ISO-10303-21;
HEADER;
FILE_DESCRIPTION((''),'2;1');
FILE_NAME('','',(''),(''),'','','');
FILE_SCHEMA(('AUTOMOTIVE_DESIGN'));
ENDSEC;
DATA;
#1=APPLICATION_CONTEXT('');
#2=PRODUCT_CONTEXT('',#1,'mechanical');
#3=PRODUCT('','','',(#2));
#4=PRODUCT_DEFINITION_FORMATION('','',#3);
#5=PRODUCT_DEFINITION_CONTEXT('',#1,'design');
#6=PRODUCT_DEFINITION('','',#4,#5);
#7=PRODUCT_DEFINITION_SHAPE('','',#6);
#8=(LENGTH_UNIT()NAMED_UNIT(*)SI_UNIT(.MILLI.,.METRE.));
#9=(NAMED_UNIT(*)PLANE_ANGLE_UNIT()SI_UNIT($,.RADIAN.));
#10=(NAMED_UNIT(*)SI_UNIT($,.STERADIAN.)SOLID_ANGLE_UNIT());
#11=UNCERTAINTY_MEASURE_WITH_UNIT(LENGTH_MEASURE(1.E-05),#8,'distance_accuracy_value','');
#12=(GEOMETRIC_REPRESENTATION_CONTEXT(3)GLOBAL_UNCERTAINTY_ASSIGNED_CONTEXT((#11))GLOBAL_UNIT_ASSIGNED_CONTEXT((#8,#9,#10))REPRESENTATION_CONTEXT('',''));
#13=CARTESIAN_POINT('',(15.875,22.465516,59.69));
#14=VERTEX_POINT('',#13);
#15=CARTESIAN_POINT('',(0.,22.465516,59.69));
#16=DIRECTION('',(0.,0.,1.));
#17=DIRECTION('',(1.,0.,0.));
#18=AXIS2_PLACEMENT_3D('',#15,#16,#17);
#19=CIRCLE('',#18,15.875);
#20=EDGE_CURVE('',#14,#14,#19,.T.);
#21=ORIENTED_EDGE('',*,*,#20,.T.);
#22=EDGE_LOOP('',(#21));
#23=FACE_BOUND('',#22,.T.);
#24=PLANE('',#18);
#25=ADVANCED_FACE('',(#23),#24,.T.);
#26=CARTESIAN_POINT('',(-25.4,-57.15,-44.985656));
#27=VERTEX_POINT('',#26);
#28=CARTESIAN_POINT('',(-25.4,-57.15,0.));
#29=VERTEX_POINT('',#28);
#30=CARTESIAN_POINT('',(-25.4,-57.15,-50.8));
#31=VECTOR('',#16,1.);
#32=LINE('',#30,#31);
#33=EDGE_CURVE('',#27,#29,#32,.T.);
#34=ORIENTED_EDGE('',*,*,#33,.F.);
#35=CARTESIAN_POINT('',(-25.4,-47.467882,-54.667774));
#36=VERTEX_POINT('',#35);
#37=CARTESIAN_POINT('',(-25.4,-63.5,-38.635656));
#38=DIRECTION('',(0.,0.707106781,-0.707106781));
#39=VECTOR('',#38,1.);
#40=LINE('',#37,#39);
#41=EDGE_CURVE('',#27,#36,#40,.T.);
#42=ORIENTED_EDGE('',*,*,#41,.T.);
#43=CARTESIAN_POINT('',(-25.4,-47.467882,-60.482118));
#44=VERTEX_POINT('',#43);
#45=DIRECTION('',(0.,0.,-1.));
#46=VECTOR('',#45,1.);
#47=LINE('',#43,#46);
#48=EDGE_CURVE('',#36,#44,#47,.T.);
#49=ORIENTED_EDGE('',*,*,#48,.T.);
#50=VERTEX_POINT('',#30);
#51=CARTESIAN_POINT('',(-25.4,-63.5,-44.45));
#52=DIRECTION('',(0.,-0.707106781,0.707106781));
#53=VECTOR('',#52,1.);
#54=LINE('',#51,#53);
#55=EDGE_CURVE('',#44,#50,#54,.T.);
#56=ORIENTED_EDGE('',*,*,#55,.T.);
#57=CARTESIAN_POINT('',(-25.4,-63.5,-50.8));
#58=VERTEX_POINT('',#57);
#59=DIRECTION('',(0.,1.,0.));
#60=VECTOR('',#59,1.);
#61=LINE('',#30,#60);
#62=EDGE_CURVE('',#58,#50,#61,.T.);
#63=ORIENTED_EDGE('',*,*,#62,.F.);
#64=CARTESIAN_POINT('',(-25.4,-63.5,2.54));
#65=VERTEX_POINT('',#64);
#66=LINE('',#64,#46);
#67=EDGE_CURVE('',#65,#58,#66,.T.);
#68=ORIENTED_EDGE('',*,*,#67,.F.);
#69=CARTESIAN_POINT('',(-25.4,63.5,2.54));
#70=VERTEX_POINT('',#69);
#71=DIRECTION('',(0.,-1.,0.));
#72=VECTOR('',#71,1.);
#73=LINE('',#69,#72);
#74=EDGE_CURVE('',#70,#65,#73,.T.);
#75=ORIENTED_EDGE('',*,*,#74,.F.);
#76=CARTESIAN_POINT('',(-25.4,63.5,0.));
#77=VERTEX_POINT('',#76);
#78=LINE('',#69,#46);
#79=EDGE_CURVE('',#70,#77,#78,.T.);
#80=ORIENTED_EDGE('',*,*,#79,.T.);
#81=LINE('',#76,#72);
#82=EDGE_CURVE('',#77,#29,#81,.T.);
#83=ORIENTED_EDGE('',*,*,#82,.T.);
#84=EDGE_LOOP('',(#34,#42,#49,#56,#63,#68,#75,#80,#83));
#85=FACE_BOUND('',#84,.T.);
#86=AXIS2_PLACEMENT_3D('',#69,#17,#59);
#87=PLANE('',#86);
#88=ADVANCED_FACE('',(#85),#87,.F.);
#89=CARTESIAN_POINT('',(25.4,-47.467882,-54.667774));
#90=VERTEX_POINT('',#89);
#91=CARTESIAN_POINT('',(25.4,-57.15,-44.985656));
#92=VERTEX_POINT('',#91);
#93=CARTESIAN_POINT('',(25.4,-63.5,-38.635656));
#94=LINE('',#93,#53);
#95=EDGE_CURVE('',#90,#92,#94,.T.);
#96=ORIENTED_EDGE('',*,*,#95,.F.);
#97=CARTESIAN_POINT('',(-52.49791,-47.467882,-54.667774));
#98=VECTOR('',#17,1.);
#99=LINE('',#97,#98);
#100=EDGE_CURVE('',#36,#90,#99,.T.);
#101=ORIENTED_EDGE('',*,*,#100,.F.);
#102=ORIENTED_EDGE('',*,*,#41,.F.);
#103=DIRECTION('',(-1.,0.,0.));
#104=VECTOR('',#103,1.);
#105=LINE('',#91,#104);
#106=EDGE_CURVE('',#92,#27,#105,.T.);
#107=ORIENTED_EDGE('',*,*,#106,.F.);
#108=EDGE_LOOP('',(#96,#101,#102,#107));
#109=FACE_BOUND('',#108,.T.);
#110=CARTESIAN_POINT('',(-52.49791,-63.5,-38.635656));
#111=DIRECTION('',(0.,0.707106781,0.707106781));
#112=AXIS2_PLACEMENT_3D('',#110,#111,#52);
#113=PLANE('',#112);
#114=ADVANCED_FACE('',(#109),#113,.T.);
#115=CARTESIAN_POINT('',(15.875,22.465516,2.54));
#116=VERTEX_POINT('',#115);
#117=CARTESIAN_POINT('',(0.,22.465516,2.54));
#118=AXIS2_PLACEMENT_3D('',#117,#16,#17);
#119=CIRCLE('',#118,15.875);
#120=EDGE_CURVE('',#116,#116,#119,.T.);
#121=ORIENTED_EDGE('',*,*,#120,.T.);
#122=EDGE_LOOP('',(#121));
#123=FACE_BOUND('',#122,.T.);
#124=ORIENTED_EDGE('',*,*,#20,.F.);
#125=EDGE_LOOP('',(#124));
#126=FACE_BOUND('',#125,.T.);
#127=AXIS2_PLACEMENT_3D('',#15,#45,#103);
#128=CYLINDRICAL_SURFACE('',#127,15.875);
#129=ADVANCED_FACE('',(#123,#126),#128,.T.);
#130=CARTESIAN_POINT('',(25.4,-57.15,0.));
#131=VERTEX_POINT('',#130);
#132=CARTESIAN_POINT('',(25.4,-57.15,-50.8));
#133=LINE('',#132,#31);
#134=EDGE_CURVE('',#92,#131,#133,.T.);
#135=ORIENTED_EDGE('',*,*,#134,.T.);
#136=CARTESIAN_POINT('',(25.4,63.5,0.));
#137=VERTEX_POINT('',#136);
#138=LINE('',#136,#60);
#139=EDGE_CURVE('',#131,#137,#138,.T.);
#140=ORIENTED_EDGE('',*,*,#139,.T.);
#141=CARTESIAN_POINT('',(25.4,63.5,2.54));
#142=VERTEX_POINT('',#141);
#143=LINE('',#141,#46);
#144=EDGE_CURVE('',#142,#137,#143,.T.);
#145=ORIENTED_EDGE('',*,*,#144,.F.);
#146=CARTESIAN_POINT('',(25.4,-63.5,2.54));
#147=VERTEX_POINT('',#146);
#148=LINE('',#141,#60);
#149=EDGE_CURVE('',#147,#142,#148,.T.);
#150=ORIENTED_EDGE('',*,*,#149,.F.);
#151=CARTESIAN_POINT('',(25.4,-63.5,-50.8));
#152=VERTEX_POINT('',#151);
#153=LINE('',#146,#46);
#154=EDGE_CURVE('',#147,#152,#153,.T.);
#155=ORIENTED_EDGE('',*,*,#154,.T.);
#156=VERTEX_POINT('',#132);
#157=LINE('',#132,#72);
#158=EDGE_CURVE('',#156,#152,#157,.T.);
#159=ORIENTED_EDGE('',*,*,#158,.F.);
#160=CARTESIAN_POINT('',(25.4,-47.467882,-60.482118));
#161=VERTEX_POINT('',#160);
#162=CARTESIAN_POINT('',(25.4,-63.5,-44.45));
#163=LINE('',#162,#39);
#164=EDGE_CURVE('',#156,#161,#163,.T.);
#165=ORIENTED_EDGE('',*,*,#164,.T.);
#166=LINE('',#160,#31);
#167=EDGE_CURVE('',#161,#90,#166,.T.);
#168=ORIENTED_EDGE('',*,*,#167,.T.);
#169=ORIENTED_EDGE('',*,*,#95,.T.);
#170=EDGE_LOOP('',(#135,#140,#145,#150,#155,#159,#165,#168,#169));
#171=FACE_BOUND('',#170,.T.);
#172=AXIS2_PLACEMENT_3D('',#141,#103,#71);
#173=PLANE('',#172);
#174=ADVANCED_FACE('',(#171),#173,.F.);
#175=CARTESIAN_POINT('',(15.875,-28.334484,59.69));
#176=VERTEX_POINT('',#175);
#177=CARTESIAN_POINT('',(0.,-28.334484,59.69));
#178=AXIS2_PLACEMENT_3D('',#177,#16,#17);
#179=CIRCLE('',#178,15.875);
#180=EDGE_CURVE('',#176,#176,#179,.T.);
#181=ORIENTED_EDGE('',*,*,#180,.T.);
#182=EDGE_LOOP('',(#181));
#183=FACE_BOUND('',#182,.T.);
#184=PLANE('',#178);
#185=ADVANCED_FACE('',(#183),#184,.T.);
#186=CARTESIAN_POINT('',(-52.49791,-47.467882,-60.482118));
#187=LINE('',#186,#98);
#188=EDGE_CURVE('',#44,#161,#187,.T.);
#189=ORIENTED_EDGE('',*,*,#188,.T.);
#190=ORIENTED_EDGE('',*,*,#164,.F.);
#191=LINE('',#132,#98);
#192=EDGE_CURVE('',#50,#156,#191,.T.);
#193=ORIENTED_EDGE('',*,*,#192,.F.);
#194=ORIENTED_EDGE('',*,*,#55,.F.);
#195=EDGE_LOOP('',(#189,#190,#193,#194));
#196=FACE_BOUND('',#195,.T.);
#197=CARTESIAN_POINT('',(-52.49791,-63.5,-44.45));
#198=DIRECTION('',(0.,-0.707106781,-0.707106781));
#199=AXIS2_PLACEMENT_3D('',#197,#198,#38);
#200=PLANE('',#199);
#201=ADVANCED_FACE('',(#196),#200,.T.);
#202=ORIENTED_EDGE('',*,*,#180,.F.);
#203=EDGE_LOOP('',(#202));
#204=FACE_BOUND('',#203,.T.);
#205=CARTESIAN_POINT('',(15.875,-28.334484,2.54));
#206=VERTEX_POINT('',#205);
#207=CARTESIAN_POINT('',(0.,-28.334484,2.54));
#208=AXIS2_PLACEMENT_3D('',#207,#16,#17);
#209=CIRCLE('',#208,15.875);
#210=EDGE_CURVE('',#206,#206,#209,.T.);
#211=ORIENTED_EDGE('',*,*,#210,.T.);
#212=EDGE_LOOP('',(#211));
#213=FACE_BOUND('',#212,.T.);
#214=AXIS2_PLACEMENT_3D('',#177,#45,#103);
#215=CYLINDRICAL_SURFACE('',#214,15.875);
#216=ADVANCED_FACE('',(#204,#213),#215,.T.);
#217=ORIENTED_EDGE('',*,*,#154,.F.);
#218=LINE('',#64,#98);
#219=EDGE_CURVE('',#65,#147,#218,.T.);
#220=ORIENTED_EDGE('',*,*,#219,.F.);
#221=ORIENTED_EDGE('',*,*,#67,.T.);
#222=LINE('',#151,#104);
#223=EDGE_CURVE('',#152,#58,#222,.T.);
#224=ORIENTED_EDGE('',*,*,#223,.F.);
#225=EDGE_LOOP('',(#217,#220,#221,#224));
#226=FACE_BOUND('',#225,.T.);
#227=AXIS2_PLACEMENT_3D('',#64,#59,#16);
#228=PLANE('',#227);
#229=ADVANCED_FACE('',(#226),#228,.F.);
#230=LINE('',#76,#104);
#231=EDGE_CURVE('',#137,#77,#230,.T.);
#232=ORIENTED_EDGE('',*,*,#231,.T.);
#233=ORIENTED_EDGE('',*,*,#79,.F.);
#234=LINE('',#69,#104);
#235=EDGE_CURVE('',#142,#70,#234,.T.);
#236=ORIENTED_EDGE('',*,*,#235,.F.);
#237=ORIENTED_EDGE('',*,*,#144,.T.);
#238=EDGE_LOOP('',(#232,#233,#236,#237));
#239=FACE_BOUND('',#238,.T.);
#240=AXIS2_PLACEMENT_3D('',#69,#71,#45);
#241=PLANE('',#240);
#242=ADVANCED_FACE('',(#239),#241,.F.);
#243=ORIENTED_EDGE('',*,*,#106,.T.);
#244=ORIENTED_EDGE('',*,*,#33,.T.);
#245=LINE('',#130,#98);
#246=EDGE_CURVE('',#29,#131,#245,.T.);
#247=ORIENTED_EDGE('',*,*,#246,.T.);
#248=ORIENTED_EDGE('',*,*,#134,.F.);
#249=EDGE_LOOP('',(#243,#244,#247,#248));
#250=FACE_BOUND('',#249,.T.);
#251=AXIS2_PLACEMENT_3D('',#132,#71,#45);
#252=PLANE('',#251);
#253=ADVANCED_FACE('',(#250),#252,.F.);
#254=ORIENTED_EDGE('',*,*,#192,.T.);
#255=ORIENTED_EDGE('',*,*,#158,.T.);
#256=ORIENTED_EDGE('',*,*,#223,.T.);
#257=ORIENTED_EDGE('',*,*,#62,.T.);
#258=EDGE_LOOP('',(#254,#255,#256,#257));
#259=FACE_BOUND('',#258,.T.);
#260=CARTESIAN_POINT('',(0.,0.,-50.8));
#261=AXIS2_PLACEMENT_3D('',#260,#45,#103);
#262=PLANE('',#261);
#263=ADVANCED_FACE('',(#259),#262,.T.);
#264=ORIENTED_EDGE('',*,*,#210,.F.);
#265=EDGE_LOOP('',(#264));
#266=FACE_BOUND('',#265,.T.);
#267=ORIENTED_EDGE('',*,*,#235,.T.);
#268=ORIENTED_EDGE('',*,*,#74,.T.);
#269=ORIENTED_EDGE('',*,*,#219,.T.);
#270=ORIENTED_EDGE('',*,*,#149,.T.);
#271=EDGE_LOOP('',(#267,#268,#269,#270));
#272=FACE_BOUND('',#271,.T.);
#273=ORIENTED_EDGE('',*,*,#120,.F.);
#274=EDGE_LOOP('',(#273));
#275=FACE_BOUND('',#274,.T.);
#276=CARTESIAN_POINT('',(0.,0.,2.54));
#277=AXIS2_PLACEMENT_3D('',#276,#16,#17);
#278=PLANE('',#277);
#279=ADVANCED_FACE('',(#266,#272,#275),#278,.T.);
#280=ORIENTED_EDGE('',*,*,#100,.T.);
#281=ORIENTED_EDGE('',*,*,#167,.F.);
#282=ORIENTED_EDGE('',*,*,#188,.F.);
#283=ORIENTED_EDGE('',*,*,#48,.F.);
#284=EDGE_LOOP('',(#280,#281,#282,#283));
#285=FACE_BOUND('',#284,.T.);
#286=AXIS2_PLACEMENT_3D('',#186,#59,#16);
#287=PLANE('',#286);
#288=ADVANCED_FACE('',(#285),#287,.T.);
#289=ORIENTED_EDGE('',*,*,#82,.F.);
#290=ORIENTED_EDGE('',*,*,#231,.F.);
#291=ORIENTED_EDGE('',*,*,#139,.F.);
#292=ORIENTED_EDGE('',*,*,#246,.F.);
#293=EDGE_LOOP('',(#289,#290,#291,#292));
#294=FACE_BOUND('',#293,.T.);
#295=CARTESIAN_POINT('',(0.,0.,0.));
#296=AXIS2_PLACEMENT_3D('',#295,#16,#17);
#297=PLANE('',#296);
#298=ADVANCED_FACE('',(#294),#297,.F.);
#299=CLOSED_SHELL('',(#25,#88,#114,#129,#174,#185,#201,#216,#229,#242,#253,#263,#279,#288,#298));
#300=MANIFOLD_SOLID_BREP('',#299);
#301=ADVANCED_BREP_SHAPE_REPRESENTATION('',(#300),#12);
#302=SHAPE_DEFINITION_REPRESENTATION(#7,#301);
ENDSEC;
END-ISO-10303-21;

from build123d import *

# Parameters (mm, degrees)
SKETCH1_W           = 50.8
SKETCH1_H           = 127
BOSS_EXTRUDE1_DEPTH = 2.54
SKETCH2_R           = 15.875
BOSS_EXTRUDE2_DEPTH = 57.15
SKETCH3_W           = 50.8
SKETCH3_H           = 6.35
BOSS_EXTRUDE3_DEPTH = 50.8
BOSS_EXTRUDE4_DEPTH = 50.8


with BuildPart() as part:
    # Sketch1 → Boss-Extrude1 (new body)
    with BuildSketch(Plane.XY):
        Rectangle(SKETCH1_W, SKETCH1_H)
    extrude(amount=BOSS_EXTRUDE1_DEPTH)

    # Sketch2 → Boss-Extrude2 (add)
    with BuildSketch(Plane.XY.offset(2.54)):
        with Locations((0, 22.465516187)):
            Circle(SKETCH2_R)
        with Locations((0, -28.334483813)):
            Circle(SKETCH2_R)
    extrude(amount=BOSS_EXTRUDE2_DEPTH)

    # Sketch3 → Boss-Extrude3 (add)
    with BuildSketch(Plane(origin=(0, 0, 0), x_dir=(-1, 0, 0), z_dir=(0, 0, -1))):
        with Locations((0, -60.325)):
            Rectangle(SKETCH3_W, SKETCH3_H)
    extrude(amount=BOSS_EXTRUDE3_DEPTH)

    # Sketch4 → Boss-Extrude4 (add)
    with BuildSketch(Plane(origin=(25.4, 0, 0), x_dir=(0, 0, -1), z_dir=(1, 0, 0))):
        Polygon((44.45, -63.5), (60.482117808, -47.467882192), (54.66777369, -47.467882192), (38.635655882, -63.5), align=None)
    extrude(amount=-BOSS_EXTRUDE4_DEPTH)


solid = part.part
